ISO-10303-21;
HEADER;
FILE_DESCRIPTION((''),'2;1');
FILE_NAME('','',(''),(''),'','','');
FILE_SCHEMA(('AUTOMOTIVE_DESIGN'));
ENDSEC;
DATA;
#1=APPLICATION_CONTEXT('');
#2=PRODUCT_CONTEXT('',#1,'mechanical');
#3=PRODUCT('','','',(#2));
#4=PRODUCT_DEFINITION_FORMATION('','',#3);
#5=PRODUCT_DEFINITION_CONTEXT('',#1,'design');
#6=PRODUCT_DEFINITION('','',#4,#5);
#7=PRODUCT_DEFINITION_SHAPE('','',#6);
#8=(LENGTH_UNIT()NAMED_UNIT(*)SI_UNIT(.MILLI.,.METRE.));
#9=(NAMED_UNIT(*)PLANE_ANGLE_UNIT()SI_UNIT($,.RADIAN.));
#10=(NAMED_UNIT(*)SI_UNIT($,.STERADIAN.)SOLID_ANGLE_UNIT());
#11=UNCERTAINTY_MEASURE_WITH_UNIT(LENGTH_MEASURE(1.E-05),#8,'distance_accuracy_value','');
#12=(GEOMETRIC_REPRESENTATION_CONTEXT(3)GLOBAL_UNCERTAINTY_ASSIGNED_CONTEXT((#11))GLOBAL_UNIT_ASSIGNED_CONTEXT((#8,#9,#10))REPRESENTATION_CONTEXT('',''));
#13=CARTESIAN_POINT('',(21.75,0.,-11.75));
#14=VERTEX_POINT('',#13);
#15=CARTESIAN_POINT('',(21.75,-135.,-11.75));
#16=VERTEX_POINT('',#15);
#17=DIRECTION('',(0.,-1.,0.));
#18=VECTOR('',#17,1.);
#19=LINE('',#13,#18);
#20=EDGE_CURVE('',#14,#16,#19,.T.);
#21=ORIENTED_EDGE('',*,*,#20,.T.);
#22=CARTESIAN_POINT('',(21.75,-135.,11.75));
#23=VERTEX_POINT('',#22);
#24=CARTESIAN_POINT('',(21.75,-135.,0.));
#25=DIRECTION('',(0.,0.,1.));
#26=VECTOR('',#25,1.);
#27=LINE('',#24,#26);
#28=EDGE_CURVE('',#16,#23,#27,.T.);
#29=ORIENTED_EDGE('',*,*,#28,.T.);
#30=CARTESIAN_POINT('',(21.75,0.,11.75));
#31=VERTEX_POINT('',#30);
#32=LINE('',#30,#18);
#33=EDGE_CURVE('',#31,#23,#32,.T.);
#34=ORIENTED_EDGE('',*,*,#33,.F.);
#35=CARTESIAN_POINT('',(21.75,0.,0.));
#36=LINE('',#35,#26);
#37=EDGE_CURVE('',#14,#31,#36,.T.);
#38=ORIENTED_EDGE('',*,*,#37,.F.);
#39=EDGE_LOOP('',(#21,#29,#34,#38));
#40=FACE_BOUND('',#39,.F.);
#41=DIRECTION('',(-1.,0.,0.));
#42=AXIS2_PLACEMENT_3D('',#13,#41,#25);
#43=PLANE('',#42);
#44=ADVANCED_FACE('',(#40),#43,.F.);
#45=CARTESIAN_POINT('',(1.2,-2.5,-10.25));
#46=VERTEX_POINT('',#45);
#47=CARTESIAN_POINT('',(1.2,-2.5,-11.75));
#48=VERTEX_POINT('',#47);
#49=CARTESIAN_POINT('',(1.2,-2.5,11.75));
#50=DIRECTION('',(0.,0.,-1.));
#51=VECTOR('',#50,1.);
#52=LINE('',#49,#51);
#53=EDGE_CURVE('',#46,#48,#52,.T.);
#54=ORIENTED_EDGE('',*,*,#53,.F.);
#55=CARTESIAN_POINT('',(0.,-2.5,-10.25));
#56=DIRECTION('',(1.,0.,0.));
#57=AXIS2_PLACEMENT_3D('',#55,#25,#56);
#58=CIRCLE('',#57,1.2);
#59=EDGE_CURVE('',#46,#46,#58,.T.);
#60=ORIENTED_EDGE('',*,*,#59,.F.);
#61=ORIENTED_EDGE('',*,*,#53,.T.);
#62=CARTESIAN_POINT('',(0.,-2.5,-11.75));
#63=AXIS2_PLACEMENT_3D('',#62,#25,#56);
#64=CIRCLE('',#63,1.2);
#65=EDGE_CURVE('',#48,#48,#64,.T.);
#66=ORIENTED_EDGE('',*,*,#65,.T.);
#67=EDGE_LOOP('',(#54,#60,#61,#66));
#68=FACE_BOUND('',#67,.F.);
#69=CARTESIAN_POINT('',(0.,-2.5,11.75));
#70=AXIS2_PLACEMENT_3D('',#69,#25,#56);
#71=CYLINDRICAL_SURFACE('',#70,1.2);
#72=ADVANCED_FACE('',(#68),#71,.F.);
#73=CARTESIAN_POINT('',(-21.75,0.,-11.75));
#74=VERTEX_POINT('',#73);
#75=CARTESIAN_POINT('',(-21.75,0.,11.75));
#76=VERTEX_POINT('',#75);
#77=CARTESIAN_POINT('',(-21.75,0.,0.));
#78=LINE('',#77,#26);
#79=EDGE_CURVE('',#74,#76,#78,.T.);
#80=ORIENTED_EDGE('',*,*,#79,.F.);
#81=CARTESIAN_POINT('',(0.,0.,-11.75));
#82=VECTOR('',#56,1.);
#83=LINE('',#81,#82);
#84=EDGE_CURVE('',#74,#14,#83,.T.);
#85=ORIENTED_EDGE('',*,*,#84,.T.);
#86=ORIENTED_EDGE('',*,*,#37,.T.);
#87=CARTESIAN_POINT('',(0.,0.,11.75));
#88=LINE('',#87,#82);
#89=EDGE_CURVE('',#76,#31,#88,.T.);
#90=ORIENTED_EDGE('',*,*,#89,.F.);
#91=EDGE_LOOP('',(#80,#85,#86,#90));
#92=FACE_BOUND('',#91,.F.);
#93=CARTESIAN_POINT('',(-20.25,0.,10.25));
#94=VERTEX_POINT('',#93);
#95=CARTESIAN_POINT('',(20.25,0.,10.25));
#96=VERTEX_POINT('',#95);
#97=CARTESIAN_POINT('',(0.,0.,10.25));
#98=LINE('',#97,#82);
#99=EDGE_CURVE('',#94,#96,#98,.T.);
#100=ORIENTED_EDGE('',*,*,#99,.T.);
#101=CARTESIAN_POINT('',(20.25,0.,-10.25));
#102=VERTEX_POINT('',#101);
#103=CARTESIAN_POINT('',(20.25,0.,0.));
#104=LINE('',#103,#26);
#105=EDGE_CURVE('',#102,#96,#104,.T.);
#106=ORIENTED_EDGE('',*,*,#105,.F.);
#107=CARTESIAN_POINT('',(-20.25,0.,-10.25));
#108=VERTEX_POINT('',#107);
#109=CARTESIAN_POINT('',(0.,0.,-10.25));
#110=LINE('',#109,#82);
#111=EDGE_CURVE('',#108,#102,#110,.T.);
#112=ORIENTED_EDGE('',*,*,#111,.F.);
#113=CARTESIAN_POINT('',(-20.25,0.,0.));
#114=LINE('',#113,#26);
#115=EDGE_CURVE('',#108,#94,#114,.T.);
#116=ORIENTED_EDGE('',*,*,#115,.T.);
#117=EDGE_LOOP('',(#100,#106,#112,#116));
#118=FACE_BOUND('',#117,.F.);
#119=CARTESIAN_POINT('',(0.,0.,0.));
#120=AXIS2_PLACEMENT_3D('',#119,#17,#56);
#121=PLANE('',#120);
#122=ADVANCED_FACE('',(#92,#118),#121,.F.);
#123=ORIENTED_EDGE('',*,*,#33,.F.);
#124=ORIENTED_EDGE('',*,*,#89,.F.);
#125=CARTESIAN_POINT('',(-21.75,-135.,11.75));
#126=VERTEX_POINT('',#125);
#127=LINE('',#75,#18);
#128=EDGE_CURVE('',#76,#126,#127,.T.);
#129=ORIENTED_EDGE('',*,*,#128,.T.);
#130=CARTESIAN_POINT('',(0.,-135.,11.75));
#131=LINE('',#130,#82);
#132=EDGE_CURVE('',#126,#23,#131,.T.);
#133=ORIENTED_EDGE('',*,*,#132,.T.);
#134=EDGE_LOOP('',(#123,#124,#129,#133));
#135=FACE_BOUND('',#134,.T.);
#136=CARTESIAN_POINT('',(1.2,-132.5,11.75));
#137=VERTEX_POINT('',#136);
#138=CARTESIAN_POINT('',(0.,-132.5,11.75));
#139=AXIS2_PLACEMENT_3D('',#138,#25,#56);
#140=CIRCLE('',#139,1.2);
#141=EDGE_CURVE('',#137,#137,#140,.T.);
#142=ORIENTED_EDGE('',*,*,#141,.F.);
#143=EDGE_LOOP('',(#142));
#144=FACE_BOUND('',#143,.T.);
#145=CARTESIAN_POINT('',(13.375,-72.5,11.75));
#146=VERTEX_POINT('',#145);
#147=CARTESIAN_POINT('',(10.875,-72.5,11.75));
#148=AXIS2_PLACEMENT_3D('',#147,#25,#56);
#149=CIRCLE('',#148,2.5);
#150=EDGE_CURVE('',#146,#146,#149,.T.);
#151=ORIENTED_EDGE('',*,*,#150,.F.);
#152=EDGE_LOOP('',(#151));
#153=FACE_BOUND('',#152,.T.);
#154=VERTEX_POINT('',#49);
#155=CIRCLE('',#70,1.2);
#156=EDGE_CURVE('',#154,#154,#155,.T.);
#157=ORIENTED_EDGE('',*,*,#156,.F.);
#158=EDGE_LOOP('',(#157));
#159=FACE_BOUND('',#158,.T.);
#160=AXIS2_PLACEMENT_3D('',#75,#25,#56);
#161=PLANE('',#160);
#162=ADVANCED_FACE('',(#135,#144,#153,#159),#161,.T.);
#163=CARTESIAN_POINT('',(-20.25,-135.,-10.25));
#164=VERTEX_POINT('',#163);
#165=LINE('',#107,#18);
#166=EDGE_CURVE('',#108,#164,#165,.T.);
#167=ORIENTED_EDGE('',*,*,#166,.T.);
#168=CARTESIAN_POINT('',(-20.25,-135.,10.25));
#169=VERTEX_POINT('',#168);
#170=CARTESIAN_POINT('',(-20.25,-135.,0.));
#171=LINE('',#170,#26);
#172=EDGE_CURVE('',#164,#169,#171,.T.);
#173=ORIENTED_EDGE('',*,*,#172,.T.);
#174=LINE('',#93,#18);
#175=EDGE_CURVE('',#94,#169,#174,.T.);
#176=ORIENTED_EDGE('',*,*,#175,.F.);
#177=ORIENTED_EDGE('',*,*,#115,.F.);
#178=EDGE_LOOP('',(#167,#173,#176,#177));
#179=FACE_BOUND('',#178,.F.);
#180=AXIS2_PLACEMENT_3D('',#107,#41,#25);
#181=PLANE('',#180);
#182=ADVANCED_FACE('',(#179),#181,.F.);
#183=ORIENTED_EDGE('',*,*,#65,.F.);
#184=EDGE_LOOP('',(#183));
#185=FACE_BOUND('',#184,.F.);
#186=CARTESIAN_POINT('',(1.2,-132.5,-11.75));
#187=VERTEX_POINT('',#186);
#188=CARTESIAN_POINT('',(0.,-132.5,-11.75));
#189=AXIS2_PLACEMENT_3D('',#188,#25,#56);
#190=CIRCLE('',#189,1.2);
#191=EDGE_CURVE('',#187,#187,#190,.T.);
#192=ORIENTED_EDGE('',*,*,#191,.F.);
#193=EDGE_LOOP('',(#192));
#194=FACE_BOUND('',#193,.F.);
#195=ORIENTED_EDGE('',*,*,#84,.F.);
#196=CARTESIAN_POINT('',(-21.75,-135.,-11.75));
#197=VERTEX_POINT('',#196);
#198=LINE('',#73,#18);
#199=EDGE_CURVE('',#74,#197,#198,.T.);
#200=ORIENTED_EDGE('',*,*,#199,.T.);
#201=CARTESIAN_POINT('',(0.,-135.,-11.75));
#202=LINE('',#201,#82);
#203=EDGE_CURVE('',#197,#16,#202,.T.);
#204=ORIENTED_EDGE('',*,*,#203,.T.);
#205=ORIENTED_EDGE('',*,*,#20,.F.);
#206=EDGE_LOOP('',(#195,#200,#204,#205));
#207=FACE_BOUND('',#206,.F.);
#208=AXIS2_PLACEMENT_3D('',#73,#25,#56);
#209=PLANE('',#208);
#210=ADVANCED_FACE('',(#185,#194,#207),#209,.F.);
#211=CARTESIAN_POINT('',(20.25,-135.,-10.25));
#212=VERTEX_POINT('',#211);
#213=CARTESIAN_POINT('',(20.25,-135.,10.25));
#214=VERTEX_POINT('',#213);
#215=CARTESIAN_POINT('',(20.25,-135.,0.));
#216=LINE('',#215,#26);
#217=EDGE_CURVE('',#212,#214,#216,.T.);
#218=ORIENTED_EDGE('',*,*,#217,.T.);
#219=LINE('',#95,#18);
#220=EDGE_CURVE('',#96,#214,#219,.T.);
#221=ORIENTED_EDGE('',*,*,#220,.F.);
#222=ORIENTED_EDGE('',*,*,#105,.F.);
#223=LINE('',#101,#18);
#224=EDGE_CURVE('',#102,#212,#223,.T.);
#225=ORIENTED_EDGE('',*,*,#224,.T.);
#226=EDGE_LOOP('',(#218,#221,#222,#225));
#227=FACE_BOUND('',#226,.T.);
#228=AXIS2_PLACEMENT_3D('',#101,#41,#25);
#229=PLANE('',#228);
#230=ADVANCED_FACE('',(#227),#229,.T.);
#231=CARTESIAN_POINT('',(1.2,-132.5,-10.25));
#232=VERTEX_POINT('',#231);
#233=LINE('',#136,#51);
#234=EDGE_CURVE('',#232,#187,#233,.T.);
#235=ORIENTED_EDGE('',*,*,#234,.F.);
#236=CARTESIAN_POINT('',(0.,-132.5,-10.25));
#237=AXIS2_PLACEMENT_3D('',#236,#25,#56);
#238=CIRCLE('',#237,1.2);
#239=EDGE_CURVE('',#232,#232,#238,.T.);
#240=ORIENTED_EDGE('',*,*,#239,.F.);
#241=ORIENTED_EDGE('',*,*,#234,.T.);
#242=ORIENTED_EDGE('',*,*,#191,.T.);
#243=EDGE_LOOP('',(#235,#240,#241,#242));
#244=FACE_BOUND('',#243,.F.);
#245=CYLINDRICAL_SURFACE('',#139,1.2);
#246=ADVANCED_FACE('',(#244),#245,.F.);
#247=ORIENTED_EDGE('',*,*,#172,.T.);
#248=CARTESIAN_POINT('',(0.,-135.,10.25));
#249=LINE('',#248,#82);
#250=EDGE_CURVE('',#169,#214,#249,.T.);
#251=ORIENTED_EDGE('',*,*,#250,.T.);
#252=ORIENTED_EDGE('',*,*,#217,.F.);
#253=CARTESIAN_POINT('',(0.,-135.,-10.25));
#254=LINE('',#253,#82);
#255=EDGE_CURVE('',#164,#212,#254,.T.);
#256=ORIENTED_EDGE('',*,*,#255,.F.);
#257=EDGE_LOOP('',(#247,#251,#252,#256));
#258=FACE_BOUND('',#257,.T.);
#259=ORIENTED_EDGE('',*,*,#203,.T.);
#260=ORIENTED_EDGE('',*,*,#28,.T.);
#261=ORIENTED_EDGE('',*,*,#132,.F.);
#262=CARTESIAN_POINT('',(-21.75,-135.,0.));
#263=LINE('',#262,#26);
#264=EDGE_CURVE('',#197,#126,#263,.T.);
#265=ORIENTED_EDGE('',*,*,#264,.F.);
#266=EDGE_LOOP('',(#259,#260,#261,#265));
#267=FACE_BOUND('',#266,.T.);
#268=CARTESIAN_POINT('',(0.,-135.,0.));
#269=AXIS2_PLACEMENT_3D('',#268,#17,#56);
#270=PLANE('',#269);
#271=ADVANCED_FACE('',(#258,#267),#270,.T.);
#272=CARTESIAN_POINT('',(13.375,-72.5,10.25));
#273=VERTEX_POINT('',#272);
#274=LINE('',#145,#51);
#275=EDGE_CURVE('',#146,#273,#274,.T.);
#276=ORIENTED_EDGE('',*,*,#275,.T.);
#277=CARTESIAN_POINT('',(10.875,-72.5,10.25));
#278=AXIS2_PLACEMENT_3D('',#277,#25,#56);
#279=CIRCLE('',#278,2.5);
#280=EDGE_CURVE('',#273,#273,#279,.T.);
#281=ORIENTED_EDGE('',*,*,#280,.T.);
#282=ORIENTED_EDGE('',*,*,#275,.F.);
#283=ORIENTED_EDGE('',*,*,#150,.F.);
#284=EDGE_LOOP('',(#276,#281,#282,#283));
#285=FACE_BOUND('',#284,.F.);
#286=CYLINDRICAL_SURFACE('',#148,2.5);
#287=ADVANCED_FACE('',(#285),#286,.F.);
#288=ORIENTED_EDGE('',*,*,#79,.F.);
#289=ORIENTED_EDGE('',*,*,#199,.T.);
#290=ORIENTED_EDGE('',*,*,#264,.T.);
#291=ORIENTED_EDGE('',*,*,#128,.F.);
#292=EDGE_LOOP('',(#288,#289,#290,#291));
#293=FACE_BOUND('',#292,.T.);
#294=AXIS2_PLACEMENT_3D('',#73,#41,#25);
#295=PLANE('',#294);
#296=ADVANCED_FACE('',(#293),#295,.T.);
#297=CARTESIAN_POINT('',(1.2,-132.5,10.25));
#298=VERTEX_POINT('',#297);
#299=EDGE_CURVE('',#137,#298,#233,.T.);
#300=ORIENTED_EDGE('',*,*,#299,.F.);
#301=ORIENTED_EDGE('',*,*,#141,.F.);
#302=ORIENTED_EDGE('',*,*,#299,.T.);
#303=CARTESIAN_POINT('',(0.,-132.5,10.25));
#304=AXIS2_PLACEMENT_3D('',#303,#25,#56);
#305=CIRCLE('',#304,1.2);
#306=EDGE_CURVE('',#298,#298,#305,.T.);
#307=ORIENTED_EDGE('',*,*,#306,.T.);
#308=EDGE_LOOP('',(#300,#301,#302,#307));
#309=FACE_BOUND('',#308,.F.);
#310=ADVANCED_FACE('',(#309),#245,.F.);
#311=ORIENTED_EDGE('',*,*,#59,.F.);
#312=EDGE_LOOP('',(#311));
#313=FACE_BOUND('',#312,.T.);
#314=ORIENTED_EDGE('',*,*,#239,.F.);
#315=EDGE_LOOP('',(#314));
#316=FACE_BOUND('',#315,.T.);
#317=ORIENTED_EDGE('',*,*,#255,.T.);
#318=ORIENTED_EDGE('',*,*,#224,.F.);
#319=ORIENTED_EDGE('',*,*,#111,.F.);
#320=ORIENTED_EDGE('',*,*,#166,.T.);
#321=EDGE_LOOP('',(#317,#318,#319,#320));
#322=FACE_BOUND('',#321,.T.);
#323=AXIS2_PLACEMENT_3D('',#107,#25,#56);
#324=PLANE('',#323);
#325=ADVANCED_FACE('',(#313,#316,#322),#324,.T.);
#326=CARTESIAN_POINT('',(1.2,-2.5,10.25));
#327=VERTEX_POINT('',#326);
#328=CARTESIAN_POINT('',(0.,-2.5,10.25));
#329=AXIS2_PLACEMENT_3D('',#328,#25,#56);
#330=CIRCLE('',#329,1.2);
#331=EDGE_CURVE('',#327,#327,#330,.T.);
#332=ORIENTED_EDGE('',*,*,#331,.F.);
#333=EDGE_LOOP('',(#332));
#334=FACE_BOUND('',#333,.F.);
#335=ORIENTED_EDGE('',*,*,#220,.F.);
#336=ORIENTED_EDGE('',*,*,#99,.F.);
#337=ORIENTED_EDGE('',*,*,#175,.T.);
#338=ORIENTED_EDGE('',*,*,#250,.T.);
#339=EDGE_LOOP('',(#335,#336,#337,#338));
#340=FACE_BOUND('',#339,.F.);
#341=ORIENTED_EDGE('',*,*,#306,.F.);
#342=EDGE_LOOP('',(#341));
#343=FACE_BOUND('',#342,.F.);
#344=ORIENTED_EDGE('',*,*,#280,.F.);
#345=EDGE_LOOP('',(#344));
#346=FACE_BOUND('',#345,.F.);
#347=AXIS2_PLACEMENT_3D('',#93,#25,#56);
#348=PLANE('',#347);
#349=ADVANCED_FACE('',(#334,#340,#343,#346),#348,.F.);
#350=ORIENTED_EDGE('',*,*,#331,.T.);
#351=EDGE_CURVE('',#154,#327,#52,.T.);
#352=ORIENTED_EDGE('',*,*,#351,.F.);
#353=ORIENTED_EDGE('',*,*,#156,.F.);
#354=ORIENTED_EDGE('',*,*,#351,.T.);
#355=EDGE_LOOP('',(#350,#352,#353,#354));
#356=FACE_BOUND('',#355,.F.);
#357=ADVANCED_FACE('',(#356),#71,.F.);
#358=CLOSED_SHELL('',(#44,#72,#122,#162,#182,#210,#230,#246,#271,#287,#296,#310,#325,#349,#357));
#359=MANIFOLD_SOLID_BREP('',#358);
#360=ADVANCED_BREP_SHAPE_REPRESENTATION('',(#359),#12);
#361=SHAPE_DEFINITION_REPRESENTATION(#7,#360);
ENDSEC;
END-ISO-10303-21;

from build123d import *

# Parameters (mm, degrees)
F0_W     = 43.5
F0_H     = 23.5
F0_W_2   = 40.5
F0_H_2   = 20.5
F1_DEPTH = 135
F2_R     = 2.5
F3_DEPTH = 1.5
F4_R     = 1.2
F5_DEPTH = 25


with BuildPart() as f1:
    # F0 (on Front) → F1 (new body)
    with BuildSketch(Plane.XZ):
        Rectangle(F0_W, F0_H)
        Rectangle(F0_W_2, F0_H_2, mode=Mode.SUBTRACT)
    extrude(amount=F1_DEPTH)

    # F2 (on face) → F3 (cut, through all)
    with BuildSketch(Plane.XY.offset(11.75)):
        with Locations((10.875, -72.5)):
            Circle(F2_R)
    extrude(amount=-F3_DEPTH, mode=Mode.SUBTRACT)

    # F4 (on face) → F5 (cut)
    with BuildSketch(Plane.XY.offset(11.75)):
        with Locations((0, -132.5)):
            Circle(F4_R)
        with Locations((0, -2.5)):
            Circle(F4_R)
    extrude(amount=-F5_DEPTH, mode=Mode.SUBTRACT)


solid = f1.part
